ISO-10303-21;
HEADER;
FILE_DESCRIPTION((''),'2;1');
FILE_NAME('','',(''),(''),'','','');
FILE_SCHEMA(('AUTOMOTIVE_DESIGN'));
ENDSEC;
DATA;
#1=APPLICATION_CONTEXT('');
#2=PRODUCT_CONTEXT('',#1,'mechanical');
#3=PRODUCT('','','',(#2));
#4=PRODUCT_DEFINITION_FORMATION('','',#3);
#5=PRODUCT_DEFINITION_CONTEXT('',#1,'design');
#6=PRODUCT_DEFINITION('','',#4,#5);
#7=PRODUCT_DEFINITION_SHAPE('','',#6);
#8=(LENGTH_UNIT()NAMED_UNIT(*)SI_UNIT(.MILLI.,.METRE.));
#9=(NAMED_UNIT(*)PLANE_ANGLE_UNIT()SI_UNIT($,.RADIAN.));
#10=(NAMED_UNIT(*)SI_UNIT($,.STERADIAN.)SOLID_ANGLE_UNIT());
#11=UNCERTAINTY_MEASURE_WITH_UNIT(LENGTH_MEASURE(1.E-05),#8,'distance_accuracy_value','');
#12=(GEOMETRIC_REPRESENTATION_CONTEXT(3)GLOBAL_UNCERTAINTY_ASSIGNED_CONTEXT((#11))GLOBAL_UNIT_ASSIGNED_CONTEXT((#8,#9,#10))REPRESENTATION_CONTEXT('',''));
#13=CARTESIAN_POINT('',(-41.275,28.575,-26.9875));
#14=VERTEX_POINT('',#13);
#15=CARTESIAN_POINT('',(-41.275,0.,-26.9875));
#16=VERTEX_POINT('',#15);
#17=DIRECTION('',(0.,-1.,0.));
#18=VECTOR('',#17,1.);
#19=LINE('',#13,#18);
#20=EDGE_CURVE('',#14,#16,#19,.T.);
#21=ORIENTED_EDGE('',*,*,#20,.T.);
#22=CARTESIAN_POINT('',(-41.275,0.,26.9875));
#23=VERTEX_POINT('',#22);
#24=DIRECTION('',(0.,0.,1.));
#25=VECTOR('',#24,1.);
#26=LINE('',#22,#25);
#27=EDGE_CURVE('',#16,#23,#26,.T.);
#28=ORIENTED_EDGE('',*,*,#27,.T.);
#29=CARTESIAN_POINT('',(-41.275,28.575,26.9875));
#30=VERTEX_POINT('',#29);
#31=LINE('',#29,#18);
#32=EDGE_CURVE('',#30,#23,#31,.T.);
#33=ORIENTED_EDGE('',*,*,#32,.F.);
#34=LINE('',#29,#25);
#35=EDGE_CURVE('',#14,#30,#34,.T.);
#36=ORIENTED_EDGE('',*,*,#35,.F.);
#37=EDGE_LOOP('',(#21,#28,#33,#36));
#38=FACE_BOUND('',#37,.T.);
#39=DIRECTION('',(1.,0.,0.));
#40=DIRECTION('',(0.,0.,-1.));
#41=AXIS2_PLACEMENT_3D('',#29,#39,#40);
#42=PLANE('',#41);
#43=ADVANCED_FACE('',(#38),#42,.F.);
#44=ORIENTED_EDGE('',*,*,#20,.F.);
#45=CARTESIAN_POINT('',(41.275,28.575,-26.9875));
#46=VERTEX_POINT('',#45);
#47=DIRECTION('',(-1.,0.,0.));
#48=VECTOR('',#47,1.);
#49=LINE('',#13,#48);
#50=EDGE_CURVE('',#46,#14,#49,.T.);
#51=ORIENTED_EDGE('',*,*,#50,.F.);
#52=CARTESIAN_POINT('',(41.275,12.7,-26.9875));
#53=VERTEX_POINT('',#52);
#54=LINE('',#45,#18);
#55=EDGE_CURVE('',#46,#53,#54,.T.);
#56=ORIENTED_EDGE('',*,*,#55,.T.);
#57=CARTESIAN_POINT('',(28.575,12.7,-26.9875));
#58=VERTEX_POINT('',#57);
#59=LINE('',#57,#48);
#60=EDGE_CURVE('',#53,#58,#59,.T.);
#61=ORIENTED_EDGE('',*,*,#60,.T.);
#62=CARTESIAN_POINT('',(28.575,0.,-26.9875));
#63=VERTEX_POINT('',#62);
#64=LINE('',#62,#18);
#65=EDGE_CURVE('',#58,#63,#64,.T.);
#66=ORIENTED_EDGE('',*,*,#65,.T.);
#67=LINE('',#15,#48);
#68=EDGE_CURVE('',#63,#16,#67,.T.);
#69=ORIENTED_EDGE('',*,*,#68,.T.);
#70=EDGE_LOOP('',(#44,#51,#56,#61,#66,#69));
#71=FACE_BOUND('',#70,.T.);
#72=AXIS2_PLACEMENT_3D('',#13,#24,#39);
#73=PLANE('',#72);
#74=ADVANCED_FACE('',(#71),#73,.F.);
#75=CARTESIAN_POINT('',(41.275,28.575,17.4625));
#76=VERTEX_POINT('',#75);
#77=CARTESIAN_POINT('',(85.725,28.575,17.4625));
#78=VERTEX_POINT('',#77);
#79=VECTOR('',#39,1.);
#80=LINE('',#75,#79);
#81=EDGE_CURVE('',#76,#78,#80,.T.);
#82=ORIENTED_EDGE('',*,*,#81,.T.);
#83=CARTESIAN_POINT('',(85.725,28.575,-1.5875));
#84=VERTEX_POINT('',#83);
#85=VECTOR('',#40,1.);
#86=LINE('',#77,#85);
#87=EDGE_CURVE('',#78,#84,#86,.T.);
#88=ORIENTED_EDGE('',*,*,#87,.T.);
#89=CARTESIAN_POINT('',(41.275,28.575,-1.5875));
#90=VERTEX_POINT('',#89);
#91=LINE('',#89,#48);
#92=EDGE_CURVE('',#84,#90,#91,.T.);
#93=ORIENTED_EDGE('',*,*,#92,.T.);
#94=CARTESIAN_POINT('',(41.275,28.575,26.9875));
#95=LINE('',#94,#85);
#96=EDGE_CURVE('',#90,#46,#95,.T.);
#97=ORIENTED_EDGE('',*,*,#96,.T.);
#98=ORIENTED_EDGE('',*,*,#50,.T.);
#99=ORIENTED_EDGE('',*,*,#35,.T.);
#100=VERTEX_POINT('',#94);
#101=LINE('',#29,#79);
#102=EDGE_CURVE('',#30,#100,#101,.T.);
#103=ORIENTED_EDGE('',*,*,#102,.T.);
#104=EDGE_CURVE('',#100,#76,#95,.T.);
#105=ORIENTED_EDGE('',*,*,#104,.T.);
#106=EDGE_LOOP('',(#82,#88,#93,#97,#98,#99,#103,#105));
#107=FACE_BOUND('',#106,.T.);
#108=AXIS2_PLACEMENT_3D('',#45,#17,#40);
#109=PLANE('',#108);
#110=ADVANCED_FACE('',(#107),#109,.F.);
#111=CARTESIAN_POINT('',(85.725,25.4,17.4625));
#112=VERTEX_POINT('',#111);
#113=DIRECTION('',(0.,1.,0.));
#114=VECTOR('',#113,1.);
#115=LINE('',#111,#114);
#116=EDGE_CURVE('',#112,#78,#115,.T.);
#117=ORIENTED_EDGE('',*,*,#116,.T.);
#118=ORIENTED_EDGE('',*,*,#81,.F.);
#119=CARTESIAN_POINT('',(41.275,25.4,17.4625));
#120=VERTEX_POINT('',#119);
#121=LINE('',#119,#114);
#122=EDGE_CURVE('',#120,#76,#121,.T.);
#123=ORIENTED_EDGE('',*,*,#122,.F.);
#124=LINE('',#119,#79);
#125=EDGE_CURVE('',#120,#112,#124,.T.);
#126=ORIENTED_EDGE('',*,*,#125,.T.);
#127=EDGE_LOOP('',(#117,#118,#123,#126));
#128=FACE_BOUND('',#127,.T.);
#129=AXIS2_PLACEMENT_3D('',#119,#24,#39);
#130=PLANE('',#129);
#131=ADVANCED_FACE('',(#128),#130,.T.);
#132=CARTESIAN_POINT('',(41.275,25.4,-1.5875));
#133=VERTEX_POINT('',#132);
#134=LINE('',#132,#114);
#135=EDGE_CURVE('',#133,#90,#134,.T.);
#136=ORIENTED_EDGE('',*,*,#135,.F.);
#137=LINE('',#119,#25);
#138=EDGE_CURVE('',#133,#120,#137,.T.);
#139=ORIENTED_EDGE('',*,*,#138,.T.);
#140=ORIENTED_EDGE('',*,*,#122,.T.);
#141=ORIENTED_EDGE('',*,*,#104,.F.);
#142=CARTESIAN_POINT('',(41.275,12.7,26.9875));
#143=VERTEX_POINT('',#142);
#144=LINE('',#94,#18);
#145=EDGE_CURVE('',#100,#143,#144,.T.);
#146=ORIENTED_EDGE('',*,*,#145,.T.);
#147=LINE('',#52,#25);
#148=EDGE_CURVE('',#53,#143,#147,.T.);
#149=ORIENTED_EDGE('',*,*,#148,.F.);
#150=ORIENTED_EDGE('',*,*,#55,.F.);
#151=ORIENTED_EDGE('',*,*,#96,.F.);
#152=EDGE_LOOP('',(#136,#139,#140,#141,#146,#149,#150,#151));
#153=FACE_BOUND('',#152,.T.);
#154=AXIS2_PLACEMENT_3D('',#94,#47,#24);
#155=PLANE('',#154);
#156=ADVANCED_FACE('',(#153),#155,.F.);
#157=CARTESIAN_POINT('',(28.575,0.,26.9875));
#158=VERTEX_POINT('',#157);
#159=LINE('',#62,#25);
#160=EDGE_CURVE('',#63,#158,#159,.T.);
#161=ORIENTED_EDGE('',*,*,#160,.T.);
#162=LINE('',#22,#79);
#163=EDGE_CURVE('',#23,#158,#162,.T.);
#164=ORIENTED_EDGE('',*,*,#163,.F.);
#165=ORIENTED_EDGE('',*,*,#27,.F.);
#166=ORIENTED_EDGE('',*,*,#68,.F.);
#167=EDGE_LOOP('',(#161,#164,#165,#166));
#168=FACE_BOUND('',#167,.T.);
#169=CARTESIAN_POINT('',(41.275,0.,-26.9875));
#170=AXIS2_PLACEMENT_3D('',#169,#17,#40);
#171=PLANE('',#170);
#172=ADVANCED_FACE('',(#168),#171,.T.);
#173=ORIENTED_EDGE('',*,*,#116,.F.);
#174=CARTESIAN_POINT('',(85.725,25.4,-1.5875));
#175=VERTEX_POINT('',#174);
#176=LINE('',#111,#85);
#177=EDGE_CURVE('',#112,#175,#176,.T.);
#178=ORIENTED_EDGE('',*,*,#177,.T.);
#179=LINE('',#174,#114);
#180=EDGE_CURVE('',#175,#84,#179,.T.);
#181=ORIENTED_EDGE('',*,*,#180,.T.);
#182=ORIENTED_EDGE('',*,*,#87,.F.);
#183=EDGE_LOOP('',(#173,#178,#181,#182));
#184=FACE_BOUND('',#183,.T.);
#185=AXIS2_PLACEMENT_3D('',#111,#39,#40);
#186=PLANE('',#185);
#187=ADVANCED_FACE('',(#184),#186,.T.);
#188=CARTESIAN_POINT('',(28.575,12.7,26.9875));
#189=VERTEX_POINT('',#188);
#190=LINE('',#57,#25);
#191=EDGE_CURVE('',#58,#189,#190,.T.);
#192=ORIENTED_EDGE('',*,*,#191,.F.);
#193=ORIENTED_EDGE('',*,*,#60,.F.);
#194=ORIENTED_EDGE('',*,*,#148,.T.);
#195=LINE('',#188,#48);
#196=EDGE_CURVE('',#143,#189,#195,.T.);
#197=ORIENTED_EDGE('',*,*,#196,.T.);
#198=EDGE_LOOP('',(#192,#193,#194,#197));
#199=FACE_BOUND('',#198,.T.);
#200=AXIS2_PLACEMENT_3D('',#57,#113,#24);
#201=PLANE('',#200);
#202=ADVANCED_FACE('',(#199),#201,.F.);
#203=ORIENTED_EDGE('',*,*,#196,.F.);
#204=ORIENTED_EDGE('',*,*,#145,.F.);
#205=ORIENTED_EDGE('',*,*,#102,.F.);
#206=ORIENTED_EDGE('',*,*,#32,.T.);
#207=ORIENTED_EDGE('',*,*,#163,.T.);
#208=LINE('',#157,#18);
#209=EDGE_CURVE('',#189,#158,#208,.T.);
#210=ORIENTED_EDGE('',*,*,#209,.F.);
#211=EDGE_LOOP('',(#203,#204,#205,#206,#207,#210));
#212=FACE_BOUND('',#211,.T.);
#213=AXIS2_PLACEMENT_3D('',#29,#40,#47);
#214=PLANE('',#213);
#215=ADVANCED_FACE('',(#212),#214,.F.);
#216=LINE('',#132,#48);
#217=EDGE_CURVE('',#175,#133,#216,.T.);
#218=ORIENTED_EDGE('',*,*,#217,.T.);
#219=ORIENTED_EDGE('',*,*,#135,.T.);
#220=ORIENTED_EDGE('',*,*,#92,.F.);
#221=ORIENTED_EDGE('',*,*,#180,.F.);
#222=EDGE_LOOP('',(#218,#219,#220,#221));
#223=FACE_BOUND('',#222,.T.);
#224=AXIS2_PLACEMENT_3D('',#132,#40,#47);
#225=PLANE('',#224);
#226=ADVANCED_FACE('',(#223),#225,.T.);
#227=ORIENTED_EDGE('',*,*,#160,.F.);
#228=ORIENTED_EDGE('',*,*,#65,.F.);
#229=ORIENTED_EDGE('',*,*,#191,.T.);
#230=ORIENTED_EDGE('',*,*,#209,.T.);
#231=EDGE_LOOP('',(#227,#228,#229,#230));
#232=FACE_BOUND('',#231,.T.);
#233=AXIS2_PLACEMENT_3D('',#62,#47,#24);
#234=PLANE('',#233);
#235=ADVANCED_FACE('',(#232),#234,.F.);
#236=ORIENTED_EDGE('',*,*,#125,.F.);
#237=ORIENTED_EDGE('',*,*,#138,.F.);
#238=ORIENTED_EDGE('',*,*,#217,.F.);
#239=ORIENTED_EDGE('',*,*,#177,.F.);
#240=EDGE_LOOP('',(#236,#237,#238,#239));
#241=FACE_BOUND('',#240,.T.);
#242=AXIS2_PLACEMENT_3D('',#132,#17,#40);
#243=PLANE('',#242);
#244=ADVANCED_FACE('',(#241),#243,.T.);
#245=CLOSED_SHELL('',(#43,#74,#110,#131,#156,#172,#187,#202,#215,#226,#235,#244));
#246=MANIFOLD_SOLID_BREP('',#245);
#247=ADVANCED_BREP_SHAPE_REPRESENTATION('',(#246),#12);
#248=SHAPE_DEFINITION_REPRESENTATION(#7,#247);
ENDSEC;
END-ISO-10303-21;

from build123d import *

# Parameters (mm, degrees)
SKETCH1_W           = 82.55
SKETCH1_H           = 53.975
BOSS_EXTRUDE1_DEPTH = 28.575
SKETCH2_W           = 12.7
SKETCH2_H           = 12.7
CUT_EXTRUDE1_DEPTH  = 54.975
SKETCH3_W           = 44.45
SKETCH3_H           = 19.05
BOSS_EXTRUDE2_DEPTH = 3.175


with BuildPart() as part:
    # Sketch1 → Boss-Extrude1 (new body)
    with BuildSketch(Plane(origin=(0, 0, 0), x_dir=(1, 0, 0), z_dir=(0, 1, 0))):
        Rectangle(SKETCH1_W, SKETCH1_H)
    extrude(amount=BOSS_EXTRUDE1_DEPTH)

    # Sketch2 → Cut-Extrude1 (cut, through all)
    with BuildSketch(Plane.XY.offset(26.9875)):
        with Locations((34.925, 6.35)):
            Rectangle(SKETCH2_W, SKETCH2_H)
    extrude(amount=-CUT_EXTRUDE1_DEPTH, mode=Mode.SUBTRACT)

    # Sketch3 → Boss-Extrude2 (add)
    with BuildSketch(Plane(origin=(0, 28.575, 0), x_dir=(1, 0, 0), z_dir=(0, 1, 0))):
        with Locations((63.5, -7.9375)):
            Rectangle(SKETCH3_W, SKETCH3_H)
    extrude(amount=-BOSS_EXTRUDE2_DEPTH)


solid = part.part
